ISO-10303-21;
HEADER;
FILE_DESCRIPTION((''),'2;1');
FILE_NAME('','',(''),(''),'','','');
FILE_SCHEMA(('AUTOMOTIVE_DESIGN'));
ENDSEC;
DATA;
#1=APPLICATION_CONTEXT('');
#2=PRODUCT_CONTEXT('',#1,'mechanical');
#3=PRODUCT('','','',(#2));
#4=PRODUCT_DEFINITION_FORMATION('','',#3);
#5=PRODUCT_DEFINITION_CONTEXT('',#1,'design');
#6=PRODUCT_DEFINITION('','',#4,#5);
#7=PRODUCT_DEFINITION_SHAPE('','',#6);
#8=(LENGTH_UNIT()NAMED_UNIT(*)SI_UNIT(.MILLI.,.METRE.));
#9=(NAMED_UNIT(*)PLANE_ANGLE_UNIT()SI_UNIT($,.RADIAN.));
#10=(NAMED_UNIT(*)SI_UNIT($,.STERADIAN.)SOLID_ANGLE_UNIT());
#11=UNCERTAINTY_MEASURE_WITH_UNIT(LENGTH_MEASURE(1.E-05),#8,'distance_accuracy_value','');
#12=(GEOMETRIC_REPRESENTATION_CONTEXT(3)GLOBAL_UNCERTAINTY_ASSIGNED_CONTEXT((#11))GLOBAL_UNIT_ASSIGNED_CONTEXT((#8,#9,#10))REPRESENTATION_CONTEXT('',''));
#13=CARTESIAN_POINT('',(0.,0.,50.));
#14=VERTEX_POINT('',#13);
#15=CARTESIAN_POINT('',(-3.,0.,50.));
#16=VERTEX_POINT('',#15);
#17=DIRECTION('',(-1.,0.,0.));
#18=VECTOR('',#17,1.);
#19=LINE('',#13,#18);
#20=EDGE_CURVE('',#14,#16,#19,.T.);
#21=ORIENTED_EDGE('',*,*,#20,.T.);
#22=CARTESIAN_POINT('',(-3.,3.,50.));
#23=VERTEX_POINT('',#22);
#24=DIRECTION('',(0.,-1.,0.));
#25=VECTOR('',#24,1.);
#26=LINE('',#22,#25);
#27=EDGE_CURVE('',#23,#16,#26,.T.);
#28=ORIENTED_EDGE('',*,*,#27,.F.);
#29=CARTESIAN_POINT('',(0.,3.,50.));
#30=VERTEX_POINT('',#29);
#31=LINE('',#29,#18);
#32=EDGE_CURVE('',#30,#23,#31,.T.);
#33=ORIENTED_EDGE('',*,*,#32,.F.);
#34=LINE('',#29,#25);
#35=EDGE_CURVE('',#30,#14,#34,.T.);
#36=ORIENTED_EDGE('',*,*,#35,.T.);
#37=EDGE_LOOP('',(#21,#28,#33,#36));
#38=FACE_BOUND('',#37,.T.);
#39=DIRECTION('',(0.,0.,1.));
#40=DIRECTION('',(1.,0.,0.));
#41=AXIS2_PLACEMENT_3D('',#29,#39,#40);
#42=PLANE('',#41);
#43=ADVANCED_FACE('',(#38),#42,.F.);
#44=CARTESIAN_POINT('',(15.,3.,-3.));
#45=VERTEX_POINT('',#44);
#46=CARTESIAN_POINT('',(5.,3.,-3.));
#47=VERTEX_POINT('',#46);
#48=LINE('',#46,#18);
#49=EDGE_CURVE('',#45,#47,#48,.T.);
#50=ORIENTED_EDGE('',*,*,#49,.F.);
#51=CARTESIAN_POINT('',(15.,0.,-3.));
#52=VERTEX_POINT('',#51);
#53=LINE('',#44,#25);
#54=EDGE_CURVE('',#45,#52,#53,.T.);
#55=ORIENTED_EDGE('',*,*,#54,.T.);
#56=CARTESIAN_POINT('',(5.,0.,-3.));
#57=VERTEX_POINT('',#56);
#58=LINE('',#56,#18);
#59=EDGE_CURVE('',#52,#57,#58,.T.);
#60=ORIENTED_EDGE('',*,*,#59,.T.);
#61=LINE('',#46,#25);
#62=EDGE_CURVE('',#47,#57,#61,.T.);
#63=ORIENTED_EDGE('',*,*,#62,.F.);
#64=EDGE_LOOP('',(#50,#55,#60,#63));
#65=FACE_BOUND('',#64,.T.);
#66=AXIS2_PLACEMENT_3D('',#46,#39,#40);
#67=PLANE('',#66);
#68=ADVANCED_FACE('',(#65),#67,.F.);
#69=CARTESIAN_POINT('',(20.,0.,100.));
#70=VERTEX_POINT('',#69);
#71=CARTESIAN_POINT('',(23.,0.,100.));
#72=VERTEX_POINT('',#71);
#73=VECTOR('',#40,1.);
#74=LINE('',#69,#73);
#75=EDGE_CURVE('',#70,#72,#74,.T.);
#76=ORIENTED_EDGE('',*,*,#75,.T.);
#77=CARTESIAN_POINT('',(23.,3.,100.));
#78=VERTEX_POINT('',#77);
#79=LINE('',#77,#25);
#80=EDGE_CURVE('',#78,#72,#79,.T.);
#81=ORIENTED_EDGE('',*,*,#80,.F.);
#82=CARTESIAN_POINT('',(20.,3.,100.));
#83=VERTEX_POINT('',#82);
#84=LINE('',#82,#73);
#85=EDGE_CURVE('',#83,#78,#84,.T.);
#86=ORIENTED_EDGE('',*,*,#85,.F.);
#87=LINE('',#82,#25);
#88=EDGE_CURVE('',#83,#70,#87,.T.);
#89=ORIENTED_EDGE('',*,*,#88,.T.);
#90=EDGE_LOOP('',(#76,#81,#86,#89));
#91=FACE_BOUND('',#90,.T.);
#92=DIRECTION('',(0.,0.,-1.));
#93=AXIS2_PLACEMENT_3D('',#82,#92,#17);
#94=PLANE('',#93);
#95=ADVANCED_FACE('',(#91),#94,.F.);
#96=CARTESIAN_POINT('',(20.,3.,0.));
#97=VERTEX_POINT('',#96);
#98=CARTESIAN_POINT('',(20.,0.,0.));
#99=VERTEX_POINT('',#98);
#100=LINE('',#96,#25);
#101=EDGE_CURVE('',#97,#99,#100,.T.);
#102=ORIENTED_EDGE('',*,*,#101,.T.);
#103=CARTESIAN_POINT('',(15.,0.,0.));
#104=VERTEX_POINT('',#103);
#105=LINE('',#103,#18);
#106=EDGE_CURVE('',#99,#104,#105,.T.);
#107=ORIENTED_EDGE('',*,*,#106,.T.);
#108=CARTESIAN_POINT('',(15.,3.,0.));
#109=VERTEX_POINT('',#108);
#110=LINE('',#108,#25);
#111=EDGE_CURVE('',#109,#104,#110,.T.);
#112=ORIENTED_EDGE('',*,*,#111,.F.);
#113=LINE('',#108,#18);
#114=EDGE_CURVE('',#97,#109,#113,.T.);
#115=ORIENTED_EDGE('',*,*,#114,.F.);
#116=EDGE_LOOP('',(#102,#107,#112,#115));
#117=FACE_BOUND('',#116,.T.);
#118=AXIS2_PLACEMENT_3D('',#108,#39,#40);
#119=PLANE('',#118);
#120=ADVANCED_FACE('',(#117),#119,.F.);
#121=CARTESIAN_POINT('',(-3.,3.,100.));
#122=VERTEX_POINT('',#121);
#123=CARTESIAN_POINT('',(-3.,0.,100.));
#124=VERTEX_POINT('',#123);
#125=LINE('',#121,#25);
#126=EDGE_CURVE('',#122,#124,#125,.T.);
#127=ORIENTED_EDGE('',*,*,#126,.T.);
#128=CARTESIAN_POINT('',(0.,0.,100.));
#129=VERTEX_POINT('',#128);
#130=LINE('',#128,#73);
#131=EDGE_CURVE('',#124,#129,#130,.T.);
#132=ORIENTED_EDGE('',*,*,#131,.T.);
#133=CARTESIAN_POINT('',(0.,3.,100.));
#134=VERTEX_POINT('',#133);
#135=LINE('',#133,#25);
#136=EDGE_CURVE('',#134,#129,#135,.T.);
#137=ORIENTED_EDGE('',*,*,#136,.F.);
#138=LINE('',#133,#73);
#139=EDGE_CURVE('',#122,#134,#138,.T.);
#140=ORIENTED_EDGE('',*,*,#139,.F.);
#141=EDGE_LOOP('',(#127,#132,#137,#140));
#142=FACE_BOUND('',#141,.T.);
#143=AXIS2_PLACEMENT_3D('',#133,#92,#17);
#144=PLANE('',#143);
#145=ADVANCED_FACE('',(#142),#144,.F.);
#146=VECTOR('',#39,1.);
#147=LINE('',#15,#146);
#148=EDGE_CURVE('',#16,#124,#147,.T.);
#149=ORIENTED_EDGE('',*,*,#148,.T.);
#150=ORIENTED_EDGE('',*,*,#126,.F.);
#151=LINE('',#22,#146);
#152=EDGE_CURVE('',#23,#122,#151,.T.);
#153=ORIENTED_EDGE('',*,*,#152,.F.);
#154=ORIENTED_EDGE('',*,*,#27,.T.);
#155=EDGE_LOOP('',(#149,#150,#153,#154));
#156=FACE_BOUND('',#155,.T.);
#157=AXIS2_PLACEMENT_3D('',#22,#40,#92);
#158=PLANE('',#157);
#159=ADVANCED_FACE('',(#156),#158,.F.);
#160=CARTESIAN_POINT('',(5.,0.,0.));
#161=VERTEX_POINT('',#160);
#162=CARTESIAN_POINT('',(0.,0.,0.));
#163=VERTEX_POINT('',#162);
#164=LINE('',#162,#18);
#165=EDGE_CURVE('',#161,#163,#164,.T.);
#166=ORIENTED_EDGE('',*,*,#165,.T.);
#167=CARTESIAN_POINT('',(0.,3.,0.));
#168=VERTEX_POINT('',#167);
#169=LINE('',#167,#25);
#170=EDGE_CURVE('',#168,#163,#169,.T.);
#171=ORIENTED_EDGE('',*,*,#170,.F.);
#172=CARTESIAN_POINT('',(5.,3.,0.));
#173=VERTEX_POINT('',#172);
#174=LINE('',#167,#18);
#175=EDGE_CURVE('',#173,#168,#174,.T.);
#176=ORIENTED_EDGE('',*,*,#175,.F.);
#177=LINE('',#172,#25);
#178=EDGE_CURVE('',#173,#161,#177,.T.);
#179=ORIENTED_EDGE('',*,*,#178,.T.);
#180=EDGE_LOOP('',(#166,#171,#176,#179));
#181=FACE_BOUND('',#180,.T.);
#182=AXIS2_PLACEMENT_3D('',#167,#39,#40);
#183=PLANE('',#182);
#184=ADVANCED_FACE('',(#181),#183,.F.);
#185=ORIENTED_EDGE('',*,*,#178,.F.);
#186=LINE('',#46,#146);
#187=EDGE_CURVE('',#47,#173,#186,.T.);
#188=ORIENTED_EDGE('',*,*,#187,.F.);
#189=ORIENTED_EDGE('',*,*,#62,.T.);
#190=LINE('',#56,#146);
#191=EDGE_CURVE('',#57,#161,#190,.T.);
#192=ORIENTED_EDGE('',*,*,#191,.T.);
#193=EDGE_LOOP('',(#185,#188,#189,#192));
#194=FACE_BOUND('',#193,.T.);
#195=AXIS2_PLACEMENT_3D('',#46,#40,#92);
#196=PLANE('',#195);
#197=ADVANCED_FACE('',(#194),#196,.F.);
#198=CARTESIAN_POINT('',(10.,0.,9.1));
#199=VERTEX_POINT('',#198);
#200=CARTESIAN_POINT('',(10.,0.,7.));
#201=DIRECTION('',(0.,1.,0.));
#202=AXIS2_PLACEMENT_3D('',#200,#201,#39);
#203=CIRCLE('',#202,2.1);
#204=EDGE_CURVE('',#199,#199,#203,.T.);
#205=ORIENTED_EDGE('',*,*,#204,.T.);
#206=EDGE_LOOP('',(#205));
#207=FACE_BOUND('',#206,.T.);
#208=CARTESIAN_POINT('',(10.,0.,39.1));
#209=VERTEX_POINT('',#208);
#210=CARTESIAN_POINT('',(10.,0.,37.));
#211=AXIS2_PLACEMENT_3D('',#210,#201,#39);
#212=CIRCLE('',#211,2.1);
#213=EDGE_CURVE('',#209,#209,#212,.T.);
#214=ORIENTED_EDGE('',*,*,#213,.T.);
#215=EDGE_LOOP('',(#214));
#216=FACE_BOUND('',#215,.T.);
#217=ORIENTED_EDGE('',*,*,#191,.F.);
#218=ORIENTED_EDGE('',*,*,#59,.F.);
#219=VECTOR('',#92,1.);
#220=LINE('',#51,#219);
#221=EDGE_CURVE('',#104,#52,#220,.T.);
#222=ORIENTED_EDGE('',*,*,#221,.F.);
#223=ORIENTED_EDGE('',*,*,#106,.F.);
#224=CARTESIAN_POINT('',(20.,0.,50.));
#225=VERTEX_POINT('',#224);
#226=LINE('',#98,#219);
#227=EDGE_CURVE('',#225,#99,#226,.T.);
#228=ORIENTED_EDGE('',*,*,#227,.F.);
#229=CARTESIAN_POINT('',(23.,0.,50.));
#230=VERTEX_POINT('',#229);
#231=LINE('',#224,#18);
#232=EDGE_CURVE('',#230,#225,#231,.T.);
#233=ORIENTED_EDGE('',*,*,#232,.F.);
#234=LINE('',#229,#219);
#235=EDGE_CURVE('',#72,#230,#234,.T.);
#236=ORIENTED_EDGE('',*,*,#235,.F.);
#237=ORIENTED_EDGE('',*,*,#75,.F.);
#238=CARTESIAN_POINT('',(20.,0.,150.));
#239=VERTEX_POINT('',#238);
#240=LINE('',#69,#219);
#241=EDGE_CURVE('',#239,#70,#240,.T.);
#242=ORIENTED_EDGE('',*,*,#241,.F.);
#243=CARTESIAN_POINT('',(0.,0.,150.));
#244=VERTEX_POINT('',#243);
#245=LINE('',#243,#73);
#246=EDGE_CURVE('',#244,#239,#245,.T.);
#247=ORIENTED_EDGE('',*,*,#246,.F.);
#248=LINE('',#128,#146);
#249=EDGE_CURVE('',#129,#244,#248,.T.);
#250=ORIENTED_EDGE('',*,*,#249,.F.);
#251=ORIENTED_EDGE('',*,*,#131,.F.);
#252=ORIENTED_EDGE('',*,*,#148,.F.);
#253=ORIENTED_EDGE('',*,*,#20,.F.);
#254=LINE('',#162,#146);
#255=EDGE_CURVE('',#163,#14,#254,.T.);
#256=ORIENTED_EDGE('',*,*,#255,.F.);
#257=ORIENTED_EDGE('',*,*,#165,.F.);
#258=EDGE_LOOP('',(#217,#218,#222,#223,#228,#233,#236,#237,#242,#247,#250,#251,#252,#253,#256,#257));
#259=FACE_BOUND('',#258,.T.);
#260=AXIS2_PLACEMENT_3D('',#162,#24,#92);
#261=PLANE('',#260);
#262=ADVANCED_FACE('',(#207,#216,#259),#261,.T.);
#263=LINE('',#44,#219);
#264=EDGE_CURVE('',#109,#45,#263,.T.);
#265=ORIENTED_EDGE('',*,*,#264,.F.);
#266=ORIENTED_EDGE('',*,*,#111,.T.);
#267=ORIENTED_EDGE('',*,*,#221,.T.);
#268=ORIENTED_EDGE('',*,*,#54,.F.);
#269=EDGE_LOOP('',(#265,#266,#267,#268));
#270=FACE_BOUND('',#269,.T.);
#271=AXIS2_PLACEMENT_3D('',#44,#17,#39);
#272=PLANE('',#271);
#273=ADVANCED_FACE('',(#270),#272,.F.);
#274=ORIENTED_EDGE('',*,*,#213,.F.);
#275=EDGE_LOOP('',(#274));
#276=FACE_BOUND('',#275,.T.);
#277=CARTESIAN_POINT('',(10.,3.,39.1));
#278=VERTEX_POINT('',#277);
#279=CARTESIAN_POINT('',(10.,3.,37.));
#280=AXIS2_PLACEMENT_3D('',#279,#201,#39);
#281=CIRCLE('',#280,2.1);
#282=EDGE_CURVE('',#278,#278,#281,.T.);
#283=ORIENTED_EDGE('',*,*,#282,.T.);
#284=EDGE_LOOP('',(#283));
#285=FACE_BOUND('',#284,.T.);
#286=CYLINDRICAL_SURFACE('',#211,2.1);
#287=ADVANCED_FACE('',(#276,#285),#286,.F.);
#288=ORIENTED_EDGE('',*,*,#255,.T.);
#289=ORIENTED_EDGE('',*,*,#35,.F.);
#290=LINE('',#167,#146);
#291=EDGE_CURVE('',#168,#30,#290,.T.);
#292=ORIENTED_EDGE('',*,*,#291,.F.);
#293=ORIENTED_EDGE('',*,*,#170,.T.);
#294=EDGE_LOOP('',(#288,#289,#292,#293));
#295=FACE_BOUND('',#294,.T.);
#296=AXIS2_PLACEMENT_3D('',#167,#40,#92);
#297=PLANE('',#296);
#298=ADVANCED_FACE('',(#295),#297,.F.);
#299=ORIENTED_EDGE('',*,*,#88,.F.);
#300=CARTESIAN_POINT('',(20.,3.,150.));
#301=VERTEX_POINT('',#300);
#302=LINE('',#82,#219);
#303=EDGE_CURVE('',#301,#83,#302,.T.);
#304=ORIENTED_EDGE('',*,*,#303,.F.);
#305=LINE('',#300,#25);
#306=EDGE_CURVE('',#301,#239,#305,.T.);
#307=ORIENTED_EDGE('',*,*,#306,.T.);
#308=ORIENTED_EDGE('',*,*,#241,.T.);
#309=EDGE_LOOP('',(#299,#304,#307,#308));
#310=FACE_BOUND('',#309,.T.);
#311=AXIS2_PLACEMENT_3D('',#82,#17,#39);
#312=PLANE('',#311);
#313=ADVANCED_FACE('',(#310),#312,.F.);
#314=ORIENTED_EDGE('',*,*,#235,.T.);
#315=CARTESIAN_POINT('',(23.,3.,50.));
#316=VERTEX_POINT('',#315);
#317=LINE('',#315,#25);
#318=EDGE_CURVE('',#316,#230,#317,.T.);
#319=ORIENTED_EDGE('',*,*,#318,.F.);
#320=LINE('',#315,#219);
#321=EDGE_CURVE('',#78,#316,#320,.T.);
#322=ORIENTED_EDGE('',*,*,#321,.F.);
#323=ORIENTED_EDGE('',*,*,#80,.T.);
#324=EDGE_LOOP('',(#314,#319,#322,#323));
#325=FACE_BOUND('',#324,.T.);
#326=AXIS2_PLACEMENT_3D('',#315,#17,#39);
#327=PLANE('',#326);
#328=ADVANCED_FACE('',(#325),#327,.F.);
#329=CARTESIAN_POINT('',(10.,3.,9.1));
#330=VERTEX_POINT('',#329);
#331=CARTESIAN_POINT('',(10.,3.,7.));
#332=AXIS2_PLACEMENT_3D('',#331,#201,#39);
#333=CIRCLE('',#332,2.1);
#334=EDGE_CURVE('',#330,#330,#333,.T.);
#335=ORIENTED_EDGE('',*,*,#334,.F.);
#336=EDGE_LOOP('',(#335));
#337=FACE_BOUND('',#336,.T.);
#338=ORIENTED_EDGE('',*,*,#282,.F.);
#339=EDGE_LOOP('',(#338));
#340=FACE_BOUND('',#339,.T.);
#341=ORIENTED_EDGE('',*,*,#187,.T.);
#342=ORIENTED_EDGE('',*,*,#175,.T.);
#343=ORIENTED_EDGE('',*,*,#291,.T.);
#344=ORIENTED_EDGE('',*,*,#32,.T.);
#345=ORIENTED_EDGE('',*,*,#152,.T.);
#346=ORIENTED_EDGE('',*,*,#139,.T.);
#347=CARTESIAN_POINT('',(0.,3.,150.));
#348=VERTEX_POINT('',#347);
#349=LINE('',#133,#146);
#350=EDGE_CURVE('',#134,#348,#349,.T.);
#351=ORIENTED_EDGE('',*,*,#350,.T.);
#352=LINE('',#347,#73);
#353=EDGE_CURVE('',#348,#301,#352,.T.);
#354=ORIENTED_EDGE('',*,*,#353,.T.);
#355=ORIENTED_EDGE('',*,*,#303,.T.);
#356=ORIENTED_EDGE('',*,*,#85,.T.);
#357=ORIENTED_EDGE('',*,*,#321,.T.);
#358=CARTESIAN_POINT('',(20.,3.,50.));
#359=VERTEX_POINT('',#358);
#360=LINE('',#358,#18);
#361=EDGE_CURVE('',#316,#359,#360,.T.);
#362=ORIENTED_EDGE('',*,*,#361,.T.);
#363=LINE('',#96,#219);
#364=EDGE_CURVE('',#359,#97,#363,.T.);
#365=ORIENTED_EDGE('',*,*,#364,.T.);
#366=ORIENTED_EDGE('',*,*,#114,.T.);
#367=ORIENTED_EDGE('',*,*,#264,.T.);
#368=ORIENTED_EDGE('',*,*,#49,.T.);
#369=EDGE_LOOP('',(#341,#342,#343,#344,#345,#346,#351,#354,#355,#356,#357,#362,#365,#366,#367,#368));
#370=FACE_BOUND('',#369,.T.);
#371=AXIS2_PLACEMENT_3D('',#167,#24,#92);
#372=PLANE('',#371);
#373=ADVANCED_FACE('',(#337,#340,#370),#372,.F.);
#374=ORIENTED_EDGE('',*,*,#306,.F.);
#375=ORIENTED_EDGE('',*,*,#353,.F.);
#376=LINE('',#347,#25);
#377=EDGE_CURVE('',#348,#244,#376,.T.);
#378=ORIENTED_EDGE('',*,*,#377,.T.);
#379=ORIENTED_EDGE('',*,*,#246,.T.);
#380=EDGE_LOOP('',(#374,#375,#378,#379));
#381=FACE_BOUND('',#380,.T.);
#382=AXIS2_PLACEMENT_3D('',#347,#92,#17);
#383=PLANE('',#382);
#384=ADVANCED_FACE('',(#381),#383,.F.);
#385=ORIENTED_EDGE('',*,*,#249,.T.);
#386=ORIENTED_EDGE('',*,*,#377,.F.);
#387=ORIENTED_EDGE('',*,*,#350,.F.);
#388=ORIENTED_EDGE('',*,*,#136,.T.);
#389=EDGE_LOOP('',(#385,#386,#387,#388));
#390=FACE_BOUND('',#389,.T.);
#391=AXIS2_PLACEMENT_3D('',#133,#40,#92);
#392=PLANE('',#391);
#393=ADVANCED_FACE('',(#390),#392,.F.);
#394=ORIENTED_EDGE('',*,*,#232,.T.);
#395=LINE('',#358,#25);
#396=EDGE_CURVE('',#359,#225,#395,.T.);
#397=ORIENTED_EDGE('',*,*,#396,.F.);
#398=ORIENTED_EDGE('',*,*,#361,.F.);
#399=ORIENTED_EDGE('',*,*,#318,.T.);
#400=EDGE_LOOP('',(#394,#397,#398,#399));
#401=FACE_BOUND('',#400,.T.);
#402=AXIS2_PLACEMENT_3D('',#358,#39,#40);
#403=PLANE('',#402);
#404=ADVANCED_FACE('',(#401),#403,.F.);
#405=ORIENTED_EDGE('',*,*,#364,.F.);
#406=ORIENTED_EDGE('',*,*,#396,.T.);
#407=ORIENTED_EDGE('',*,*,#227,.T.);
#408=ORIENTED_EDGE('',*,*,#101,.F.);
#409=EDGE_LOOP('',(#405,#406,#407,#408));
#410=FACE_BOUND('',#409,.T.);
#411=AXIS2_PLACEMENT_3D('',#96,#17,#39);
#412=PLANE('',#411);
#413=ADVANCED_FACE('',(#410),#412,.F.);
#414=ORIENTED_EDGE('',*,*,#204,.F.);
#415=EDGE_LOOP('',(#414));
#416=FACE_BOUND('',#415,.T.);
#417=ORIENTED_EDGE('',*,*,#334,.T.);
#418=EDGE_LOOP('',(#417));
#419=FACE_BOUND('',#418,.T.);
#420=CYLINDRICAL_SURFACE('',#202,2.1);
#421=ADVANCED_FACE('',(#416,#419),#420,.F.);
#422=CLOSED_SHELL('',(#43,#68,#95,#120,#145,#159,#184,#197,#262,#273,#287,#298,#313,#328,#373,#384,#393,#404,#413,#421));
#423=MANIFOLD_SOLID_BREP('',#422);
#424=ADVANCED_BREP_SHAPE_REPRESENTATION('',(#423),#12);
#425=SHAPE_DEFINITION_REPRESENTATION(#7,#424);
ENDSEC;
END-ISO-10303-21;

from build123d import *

# Parameters (mm, degrees)
BOSS_EXTRUDE1_DEPTH = 3
SKETCH2_R           = 2.1
CUT_EXTRUDE1_DEPTH  = 4


with BuildPart() as part:
    # Sketch1 → Boss-Extrude1 (new body)
    with BuildSketch(Plane(origin=(0, 0, 0), x_dir=(1, 0, 0), z_dir=(0, 1, 0))):
        Polygon((15, 0), (20, 0), (20, -50), (23, -50), (23, -100), (20, -100), (20, -150), (0, -150), (0, -100), (-3, -100), (-3, -50), (0, -50), (0, 0), (5, 0), (5, 3), (15, 3), align=None)
    extrude(amount=BOSS_EXTRUDE1_DEPTH)

    # Sketch2 → Cut-Extrude1 (cut, through all)
    with BuildSketch(Plane(origin=(0, 3, 0), x_dir=(1, 0, 0), z_dir=(0, 1, 0))):
        with Locations((10, -7)):
            Circle(SKETCH2_R)
        with Locations((10, -37)):
            Circle(SKETCH2_R)
    extrude(amount=-CUT_EXTRUDE1_DEPTH, mode=Mode.SUBTRACT)


solid = part.part
